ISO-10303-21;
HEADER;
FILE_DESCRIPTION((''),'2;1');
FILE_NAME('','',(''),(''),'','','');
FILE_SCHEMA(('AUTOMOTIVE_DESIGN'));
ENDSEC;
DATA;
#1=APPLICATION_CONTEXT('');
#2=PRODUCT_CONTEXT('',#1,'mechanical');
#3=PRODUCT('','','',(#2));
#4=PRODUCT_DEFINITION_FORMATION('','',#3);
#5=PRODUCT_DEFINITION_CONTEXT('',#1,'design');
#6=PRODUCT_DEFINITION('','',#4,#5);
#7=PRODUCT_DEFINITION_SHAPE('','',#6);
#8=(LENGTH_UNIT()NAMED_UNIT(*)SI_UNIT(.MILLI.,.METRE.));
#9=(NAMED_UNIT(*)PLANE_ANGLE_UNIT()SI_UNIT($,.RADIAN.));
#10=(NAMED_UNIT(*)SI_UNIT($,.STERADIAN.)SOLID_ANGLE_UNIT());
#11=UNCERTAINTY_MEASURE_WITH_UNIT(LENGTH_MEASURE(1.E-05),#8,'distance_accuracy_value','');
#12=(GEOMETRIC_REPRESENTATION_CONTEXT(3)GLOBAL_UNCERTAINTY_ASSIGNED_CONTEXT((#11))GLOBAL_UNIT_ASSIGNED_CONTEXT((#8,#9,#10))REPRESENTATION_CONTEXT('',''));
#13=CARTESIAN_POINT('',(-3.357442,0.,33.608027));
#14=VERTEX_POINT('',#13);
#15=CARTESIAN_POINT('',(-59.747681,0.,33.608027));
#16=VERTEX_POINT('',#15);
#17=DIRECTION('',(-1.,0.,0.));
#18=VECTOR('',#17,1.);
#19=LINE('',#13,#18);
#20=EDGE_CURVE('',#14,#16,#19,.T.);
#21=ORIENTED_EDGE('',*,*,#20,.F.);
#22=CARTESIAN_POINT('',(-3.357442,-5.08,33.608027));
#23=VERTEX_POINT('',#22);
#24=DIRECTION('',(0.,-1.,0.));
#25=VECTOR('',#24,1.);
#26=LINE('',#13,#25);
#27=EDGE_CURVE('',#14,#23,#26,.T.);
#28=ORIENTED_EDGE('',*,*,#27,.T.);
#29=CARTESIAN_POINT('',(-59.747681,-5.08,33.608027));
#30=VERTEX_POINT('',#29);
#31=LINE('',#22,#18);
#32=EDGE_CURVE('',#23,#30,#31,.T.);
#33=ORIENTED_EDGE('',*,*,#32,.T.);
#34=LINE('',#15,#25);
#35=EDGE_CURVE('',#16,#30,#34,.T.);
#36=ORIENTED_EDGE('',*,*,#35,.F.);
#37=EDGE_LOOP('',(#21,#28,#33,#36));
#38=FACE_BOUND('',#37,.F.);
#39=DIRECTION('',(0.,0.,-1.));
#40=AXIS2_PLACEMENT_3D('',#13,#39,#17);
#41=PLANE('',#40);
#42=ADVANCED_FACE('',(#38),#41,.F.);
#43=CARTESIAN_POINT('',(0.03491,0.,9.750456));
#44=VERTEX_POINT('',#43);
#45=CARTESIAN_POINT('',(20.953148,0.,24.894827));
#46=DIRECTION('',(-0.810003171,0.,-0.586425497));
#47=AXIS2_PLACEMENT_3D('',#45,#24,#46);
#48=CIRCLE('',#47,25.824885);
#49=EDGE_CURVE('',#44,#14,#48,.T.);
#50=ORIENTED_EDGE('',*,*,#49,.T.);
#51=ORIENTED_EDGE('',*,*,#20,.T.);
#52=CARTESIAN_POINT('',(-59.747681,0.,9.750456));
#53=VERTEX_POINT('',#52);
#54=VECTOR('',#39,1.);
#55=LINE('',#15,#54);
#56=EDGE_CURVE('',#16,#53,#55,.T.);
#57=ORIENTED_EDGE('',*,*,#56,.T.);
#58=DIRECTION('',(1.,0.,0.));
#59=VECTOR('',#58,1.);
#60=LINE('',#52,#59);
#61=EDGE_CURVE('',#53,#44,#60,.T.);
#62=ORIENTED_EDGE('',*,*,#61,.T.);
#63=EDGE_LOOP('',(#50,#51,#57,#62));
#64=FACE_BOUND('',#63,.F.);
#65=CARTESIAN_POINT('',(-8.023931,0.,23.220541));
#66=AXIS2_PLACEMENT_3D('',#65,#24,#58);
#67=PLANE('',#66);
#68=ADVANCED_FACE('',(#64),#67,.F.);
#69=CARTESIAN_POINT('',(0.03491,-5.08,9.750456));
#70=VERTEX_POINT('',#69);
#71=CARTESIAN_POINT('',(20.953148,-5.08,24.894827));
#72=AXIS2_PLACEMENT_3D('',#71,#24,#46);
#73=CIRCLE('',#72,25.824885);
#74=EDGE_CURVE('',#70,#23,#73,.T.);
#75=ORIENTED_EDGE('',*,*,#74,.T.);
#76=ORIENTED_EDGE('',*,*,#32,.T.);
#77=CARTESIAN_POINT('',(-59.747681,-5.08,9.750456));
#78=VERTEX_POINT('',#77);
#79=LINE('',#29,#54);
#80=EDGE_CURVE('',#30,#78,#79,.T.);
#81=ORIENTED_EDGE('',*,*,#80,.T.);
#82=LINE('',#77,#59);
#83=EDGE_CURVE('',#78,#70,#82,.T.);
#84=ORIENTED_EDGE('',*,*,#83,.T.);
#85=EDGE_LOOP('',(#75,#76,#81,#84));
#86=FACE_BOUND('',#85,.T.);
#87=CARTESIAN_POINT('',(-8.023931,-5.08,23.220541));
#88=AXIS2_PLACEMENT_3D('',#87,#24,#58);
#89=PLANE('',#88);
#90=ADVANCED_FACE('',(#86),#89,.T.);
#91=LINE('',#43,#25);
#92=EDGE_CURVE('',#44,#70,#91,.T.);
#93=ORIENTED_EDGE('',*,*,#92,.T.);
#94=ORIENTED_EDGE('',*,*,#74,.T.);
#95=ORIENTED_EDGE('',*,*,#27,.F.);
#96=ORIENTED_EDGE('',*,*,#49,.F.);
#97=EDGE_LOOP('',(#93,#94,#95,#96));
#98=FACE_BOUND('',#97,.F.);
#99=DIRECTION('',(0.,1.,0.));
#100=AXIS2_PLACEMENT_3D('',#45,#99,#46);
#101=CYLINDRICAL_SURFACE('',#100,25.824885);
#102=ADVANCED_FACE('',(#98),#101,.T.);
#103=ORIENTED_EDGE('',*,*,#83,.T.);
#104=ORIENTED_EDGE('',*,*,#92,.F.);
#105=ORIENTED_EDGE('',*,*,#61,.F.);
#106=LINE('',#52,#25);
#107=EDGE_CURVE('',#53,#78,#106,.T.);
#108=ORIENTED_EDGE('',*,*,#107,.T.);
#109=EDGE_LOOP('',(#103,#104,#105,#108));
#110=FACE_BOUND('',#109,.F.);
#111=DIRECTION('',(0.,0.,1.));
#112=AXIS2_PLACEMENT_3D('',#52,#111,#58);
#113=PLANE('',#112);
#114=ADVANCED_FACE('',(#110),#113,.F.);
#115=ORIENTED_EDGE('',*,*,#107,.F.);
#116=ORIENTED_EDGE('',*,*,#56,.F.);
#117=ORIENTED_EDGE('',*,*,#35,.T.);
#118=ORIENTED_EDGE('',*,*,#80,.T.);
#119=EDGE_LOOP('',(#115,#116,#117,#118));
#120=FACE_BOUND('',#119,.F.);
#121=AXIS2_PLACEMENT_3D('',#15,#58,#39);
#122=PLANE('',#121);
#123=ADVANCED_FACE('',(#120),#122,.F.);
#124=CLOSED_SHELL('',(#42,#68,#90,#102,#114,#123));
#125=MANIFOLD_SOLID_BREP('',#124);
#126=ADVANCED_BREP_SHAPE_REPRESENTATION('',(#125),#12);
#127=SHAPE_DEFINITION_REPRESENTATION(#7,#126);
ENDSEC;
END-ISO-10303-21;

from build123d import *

# Parameters (mm, degrees)
F2_DEPTH = 5.08


with BuildPart() as f2:
    # F1 (on face) → F2 (new body)
    with BuildSketch(Plane.XZ):
        with BuildLine():
            Line((-59.747681, 9.750456), (0.03491, 9.750456))
            ThreePointArc((0.03491, 9.750456), (46.520856, 28.530345), (-3.357442, 33.608027))
            Line((-3.357442, 33.608027), (-59.747681, 33.608027))
            Line((-59.747681, 33.608027), (-59.747681, 9.750456))
        make_face()
    extrude(amount=F2_DEPTH)


solid = f2.part
